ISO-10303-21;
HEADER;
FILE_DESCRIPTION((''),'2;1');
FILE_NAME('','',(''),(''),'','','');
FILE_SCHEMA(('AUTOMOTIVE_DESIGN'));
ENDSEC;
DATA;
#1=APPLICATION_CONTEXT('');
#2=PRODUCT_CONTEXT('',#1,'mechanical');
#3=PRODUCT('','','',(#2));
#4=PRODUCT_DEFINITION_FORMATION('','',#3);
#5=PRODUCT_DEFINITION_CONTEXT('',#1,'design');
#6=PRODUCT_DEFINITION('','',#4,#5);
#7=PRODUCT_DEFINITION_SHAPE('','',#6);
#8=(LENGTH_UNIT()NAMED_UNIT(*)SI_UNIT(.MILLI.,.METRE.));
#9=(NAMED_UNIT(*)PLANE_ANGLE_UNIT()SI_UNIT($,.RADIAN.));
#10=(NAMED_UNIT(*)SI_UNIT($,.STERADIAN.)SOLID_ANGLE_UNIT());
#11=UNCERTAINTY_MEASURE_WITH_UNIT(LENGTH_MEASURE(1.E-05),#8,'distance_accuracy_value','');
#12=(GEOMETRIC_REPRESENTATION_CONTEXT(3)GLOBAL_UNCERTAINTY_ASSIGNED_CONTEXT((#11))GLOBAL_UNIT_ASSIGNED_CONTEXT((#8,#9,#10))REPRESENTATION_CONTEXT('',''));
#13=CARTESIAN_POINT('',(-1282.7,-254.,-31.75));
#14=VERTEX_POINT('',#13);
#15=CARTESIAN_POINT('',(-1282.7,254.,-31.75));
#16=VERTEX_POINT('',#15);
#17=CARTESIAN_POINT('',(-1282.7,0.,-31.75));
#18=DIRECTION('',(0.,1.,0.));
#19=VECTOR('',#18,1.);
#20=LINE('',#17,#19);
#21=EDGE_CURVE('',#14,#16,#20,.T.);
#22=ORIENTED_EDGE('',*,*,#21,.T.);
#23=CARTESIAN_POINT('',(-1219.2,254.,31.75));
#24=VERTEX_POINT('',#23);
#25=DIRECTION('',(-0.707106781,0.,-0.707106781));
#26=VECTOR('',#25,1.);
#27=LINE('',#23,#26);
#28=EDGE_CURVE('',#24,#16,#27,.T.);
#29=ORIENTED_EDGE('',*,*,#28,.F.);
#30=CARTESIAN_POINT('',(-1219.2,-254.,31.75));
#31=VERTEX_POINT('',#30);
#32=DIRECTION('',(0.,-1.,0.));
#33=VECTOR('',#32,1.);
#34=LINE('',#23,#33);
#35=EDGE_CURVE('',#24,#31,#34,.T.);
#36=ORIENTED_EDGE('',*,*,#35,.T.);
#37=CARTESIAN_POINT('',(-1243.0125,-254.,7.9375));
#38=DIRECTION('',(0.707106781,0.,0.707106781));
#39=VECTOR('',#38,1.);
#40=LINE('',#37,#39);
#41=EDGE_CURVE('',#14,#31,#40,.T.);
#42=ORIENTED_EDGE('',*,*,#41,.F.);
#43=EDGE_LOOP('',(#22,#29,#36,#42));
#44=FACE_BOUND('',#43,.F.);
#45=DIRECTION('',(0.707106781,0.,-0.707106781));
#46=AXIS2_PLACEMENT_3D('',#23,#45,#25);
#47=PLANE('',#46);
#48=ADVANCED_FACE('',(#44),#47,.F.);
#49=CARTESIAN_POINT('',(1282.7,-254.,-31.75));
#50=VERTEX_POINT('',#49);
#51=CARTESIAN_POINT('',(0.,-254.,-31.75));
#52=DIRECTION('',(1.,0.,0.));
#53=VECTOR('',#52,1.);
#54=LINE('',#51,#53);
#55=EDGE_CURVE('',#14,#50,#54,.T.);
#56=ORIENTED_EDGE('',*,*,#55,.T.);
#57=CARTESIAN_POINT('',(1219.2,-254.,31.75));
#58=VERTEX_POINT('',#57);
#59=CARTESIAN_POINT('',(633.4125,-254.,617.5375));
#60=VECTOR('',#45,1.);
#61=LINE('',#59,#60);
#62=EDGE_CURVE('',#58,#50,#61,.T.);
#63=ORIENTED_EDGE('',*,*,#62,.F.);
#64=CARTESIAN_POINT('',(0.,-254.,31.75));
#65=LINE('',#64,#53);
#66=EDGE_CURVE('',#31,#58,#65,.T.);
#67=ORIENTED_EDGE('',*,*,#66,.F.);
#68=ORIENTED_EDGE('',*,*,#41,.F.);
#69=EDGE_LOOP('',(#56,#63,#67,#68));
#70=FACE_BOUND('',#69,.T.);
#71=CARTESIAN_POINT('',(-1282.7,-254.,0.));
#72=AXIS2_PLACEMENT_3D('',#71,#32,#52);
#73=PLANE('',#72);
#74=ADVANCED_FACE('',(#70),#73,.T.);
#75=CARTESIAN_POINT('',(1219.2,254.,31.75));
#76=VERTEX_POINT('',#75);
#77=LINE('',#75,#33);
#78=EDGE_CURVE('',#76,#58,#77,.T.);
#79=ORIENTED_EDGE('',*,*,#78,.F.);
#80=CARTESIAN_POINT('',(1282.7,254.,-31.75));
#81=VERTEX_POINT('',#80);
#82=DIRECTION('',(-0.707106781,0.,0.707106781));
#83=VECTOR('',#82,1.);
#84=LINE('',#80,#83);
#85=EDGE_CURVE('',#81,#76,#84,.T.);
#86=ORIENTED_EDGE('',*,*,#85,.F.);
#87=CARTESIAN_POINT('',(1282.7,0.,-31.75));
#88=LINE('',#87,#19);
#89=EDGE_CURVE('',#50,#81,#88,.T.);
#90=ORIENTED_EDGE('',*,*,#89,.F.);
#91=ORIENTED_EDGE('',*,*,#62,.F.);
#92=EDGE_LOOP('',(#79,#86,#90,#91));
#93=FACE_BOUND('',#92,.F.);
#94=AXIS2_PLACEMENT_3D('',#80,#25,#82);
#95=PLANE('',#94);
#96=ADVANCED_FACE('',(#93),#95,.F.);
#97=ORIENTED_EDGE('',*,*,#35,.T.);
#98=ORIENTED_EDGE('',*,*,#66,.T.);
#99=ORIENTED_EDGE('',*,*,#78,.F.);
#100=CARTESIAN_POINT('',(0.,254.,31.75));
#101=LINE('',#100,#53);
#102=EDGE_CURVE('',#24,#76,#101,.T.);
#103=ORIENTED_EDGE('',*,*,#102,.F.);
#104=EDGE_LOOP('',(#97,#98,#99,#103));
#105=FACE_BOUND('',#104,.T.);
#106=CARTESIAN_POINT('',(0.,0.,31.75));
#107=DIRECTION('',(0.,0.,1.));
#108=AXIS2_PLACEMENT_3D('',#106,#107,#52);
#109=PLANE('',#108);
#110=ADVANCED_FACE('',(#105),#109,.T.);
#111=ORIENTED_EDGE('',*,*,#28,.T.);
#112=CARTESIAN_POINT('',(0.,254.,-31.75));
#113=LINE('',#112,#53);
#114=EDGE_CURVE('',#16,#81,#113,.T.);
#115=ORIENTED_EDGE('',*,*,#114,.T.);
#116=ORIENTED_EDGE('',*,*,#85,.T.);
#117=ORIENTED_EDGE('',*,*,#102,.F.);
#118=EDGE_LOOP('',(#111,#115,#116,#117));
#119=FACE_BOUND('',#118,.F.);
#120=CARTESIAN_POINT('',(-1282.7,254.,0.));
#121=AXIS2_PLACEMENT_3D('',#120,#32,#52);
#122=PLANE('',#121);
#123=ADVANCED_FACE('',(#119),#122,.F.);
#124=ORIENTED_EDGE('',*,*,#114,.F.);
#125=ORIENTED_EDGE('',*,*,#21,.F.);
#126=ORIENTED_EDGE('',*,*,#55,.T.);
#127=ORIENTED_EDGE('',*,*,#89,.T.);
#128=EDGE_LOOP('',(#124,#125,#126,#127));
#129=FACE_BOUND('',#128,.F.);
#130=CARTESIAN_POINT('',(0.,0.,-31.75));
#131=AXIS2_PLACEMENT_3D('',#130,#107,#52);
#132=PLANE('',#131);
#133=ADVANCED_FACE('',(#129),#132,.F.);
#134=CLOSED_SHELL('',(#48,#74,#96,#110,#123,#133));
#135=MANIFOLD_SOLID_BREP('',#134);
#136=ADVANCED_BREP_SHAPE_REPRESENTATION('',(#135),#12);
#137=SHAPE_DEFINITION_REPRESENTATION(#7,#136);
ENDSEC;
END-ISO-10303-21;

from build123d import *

# Parameters (mm, degrees)
F0_W     = 2565.4
F0_H     = 508
F1_DEPTH = 31.75
F3_DEPTH = 508.001


with BuildPart() as f1:
    # F0 (on Top) → F1 (new body, symmetric)
    with BuildSketch(Plane.XY):
        Rectangle(F0_W, F0_H)
    extrude(amount=F1_DEPTH, both=True)

    # F2 (on face) → F3 (cut, through all)
    with BuildSketch(Plane(origin=(0, 254, 0), x_dir=(-1, 0, 0), z_dir=(0, 1, 0))):
        Polygon((1219.2, 31.75), (1282.7, -31.75), (1282.7, 31.75), align=None)
        Polygon((-1282.7, 31.75), (-1282.7, -31.75), (-1219.2, 31.75), align=None)
    extrude(amount=-F3_DEPTH, mode=Mode.SUBTRACT)


solid = f1.part
